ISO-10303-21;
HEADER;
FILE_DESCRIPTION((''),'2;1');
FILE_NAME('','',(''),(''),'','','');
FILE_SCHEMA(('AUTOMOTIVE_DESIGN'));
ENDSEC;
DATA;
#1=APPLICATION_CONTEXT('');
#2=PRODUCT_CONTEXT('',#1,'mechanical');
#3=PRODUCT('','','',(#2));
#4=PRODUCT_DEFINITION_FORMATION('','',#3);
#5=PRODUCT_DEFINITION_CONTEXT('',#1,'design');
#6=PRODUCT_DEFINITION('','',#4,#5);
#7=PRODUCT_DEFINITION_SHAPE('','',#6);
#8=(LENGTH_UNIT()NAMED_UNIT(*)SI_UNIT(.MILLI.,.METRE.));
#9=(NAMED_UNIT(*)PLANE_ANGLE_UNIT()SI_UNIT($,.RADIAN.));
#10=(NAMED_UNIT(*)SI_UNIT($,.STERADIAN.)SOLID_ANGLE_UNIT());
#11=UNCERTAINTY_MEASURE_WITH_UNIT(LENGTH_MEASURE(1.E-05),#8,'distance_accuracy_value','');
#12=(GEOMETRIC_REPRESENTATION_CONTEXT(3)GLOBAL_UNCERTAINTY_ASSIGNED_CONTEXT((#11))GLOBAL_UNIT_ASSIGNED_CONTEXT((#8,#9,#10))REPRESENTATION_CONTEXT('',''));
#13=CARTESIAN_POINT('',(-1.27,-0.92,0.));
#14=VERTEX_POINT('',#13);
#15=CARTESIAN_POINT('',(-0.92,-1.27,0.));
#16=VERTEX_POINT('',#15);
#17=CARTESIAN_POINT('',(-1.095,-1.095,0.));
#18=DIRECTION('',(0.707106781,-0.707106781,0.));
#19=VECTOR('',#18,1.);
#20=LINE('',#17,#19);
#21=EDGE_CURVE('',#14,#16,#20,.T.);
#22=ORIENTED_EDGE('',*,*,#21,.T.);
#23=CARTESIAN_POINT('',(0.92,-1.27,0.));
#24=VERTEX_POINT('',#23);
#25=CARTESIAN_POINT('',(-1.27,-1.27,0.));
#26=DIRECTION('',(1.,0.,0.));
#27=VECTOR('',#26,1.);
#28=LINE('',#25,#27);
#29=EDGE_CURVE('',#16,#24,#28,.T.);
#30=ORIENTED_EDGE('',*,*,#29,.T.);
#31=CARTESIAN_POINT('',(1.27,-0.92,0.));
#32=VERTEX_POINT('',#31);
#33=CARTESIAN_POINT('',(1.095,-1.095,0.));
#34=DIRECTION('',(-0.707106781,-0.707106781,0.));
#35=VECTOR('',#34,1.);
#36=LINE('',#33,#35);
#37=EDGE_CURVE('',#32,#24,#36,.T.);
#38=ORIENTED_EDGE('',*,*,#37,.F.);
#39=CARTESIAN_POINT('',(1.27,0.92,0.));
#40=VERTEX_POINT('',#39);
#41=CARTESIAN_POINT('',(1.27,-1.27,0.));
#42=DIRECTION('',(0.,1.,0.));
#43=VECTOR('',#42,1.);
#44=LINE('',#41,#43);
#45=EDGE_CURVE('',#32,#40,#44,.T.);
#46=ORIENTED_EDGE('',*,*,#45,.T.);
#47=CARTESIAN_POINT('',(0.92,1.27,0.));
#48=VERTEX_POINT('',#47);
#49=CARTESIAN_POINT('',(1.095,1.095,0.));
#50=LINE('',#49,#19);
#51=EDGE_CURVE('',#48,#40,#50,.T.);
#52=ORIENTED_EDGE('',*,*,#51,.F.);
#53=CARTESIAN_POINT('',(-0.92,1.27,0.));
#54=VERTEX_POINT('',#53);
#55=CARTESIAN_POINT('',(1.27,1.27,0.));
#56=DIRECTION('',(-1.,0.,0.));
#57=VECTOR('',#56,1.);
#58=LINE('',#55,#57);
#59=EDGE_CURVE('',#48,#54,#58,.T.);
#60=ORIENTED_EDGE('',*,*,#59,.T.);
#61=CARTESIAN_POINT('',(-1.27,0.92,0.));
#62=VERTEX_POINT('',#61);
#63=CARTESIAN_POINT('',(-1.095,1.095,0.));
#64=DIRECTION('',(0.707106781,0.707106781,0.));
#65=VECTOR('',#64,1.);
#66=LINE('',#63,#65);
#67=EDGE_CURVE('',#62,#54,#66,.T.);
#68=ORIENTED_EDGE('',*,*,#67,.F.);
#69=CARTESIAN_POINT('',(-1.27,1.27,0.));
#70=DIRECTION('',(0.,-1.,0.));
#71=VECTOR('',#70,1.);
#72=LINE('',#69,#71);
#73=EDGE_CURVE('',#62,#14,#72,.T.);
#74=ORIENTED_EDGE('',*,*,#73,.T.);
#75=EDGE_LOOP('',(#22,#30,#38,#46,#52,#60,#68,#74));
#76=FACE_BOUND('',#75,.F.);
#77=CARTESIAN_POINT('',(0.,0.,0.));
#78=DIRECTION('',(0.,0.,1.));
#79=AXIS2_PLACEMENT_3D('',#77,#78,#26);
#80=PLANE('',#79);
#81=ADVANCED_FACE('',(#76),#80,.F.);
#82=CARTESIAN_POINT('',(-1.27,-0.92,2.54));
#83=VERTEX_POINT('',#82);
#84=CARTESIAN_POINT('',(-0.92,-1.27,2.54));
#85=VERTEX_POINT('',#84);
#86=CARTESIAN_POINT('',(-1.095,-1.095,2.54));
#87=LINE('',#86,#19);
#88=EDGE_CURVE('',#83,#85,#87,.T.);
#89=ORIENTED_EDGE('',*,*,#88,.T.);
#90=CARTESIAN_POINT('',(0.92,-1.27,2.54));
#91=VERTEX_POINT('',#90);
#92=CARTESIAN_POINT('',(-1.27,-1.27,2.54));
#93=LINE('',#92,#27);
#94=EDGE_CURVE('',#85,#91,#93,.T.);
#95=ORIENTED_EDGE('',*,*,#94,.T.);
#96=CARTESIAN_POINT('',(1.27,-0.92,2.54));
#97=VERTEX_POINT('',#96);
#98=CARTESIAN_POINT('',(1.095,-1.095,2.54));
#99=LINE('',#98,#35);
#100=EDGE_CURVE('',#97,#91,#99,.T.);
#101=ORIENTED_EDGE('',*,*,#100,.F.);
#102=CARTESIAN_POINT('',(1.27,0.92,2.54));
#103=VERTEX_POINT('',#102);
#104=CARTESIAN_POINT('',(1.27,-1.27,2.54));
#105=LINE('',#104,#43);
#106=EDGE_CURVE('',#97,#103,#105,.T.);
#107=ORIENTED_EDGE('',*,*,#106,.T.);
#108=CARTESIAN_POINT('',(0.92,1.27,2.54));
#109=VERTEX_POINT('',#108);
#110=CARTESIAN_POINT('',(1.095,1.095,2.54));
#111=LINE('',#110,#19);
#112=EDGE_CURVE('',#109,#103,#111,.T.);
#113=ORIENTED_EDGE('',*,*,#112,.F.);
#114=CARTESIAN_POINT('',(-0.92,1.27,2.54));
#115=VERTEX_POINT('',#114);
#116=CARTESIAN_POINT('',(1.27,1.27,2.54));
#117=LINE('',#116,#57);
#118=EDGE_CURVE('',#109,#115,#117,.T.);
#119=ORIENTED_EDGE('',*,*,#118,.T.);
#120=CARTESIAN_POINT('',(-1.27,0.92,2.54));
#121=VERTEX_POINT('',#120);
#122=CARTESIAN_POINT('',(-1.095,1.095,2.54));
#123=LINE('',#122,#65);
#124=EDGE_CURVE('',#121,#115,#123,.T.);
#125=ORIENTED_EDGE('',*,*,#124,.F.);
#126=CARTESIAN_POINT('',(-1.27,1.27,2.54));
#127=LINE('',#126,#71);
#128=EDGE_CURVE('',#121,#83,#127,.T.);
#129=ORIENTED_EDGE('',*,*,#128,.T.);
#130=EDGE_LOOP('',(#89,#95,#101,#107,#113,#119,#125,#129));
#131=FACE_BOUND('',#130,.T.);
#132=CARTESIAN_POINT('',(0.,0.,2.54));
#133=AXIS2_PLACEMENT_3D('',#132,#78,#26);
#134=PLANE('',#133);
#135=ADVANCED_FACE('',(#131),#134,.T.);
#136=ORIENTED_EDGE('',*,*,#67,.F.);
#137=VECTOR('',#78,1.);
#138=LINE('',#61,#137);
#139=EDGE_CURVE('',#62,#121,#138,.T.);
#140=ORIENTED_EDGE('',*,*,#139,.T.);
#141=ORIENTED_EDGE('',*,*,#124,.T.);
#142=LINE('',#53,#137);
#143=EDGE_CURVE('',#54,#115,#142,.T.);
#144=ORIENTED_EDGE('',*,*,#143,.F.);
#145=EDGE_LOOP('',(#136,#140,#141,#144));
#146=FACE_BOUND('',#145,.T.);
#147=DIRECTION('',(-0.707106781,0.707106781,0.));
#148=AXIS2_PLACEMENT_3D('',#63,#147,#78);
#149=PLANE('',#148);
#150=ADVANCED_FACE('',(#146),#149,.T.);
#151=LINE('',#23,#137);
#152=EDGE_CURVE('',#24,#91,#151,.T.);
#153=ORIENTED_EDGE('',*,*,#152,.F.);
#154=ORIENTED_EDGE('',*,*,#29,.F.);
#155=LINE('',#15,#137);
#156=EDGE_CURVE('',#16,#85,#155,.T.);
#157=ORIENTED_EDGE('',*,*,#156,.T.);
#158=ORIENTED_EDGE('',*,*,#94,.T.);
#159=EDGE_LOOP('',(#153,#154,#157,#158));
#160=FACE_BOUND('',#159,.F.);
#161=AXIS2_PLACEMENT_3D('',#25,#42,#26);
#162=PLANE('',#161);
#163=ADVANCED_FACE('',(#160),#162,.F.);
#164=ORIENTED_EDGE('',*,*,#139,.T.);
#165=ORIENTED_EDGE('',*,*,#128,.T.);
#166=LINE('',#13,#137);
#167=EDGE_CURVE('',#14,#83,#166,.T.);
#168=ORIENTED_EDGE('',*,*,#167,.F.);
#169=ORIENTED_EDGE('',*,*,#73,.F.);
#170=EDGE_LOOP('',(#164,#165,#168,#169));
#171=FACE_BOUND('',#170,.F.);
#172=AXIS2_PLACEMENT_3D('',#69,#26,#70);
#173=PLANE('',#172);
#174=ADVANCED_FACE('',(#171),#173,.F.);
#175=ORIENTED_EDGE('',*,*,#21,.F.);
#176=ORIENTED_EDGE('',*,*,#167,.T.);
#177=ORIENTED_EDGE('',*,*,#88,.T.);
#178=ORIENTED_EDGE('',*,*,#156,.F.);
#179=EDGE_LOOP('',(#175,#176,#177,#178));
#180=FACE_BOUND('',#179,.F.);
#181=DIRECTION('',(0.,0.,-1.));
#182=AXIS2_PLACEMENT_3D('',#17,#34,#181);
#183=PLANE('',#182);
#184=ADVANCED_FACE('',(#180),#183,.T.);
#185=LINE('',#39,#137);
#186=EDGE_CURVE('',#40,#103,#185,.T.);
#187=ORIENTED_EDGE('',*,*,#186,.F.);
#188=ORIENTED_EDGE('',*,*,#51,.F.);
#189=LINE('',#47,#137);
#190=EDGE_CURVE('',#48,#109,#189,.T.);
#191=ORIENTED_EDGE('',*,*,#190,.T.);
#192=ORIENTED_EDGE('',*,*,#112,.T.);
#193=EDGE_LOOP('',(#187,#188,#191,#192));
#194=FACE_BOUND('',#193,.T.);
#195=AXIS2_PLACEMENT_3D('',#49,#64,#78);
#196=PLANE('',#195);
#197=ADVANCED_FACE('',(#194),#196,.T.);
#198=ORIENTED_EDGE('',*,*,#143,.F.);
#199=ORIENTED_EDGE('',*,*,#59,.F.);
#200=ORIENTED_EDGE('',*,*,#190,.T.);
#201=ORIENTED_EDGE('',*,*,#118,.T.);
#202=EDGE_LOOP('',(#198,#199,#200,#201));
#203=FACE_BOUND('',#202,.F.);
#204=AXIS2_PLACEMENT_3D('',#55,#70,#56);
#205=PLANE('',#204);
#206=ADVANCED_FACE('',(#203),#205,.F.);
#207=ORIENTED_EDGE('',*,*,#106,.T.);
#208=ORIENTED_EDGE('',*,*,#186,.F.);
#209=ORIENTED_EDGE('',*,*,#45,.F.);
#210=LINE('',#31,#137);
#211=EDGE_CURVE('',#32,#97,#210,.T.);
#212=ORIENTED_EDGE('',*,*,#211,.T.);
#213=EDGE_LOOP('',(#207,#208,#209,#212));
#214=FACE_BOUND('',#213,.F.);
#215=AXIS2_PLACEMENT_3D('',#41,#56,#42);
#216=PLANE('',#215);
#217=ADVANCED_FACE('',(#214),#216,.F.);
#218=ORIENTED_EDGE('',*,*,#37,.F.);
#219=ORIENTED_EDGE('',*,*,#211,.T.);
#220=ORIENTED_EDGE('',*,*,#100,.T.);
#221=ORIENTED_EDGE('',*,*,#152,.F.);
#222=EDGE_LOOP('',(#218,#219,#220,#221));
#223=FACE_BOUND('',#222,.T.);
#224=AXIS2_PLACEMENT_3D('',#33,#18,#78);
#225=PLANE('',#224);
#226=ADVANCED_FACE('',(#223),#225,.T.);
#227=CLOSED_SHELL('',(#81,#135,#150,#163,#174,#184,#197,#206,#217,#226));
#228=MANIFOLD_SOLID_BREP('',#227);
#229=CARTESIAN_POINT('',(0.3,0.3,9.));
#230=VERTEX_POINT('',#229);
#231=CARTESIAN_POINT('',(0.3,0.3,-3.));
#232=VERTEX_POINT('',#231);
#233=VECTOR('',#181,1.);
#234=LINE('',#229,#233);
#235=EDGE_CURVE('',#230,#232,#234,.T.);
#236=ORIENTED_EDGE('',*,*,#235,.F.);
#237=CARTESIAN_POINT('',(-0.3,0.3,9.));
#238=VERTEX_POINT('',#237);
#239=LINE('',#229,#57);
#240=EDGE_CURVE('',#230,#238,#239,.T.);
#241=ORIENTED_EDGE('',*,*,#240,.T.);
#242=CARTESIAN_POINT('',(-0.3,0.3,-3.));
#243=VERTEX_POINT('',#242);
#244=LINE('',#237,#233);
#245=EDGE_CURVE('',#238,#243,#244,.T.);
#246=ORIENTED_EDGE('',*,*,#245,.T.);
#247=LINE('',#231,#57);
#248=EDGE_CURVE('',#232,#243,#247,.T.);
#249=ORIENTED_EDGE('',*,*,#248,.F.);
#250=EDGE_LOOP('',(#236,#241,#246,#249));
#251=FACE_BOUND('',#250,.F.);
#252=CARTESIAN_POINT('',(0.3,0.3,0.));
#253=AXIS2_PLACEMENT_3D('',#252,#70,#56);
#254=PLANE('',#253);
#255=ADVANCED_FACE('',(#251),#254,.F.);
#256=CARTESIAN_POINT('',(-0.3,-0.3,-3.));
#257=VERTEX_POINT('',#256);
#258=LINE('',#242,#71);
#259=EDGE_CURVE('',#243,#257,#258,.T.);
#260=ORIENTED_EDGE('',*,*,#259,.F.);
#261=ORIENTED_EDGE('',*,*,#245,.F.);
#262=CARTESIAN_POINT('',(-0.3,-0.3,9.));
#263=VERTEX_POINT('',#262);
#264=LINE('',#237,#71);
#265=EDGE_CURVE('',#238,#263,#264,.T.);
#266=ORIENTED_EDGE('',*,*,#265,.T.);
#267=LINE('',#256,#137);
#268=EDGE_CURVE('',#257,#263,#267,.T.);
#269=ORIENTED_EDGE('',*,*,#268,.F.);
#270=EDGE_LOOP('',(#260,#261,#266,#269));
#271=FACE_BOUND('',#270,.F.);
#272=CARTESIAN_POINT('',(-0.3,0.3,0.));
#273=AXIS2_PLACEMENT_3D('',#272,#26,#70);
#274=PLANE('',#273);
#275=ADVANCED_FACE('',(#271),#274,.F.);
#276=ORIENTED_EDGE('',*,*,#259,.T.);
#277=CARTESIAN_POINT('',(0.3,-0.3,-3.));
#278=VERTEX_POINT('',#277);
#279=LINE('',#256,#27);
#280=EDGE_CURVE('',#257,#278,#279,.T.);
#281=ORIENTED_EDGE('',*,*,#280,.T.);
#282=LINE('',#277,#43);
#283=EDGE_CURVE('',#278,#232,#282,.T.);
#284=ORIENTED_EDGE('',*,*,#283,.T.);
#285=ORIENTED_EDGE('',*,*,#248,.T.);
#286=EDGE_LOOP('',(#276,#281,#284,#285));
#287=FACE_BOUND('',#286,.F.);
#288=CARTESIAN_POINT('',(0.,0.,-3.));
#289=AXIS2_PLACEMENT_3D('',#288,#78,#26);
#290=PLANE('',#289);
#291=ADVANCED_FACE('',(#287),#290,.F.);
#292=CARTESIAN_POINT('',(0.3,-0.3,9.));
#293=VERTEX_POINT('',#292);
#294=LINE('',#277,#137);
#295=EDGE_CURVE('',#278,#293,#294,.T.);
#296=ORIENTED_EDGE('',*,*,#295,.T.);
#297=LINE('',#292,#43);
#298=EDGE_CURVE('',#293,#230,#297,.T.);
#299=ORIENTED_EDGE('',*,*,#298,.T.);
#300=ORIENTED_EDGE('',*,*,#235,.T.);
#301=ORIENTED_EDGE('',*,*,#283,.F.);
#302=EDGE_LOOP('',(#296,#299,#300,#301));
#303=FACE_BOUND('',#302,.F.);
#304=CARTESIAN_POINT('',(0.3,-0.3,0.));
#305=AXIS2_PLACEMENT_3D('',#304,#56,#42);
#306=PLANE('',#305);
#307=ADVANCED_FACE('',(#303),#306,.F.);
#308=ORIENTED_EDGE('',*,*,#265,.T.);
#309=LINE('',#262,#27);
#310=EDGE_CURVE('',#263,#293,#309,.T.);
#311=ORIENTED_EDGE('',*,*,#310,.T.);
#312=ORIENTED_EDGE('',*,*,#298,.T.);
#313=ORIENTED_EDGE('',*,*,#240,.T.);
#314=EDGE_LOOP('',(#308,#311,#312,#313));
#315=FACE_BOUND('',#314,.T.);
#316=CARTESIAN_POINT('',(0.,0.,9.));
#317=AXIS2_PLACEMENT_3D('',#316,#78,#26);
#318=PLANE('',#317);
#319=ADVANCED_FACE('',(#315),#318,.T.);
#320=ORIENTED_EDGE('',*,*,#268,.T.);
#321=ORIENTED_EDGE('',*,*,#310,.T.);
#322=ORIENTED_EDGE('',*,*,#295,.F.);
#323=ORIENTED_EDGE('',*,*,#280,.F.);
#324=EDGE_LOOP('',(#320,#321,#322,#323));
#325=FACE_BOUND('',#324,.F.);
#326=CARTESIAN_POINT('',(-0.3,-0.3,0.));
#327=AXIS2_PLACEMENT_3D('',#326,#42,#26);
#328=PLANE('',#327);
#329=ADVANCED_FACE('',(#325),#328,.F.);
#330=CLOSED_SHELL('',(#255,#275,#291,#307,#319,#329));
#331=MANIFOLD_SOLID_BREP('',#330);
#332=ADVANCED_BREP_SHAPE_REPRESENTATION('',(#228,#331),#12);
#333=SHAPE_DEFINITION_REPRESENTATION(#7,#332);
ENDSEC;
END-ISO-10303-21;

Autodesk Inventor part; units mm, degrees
ref_plane "YZ Plane" through (0, 0, 0) normal (1, 0, 0) x (0, 1, 0)
ref_plane "XZ Plane" through (0, 0, 0) normal (0, 1, 0) x (-1, 0, 0)
ref_plane "XY Plane" through (0, 0, 0) normal (0, 0, 1) x (1, 0, 0)
sketch "Skizze1" plane through (0, 0, 0) normal (0, 0, 1) x (1, 0, 0)
  line L0 (-1.27, -1.27) -> (1.27, -1.27)
  line L1 (1.27, -1.27) -> (1.27, 1.27)
  line L2 (1.27, 1.27) -> (-1.27, 1.27)
  line L3 (-1.27, 1.27) -> (-1.27, -1.27)
  line L4 (-1.27, -1.27) -> (1.27, 1.27) construction
  line L5 (1.27, -1.27) -> (-1.27, 1.27) construction
  point P0 (0, 0)
  dimension "d0" = 2.54
  dimension "d1" = 2.54
extrude "Extrusion1" add sketch "Skizze1" along normal blind 2.54
chamfer "Fase1" distance 0.35 angle 45 4 edges at (1.27, -1.27, 1.27) (-1.27, -1.27, 1.27) (-1.27, 1.27, 1.27) (1.27, 1.27, 1.27)
sketch "Skizze2" plane through (0, 0, 0) normal (0, 0, 1) x (1, 0, 0)
  line L0 (-0.3, -0.3) -> (0.3, -0.3)
  line L1 (0.3, -0.3) -> (0.3, 0.3)
  line L2 (0.3, 0.3) -> (-0.3, 0.3)
  line L3 (-0.3, 0.3) -> (-0.3, -0.3)
  line L4 (-0.3, -0.3) -> (0.3, 0.3) construction
  line L5 (0.3, -0.3) -> (-0.3, 0.3) construction
  point P0 (0, 0)
  dimension "d7" = 0.6
  dimension "d8" = 0.6
extrude "Extrusion2" add sketch "Skizze2" along normal blind 9 and the other way blind 3 separate body
properties part number "Pin"
